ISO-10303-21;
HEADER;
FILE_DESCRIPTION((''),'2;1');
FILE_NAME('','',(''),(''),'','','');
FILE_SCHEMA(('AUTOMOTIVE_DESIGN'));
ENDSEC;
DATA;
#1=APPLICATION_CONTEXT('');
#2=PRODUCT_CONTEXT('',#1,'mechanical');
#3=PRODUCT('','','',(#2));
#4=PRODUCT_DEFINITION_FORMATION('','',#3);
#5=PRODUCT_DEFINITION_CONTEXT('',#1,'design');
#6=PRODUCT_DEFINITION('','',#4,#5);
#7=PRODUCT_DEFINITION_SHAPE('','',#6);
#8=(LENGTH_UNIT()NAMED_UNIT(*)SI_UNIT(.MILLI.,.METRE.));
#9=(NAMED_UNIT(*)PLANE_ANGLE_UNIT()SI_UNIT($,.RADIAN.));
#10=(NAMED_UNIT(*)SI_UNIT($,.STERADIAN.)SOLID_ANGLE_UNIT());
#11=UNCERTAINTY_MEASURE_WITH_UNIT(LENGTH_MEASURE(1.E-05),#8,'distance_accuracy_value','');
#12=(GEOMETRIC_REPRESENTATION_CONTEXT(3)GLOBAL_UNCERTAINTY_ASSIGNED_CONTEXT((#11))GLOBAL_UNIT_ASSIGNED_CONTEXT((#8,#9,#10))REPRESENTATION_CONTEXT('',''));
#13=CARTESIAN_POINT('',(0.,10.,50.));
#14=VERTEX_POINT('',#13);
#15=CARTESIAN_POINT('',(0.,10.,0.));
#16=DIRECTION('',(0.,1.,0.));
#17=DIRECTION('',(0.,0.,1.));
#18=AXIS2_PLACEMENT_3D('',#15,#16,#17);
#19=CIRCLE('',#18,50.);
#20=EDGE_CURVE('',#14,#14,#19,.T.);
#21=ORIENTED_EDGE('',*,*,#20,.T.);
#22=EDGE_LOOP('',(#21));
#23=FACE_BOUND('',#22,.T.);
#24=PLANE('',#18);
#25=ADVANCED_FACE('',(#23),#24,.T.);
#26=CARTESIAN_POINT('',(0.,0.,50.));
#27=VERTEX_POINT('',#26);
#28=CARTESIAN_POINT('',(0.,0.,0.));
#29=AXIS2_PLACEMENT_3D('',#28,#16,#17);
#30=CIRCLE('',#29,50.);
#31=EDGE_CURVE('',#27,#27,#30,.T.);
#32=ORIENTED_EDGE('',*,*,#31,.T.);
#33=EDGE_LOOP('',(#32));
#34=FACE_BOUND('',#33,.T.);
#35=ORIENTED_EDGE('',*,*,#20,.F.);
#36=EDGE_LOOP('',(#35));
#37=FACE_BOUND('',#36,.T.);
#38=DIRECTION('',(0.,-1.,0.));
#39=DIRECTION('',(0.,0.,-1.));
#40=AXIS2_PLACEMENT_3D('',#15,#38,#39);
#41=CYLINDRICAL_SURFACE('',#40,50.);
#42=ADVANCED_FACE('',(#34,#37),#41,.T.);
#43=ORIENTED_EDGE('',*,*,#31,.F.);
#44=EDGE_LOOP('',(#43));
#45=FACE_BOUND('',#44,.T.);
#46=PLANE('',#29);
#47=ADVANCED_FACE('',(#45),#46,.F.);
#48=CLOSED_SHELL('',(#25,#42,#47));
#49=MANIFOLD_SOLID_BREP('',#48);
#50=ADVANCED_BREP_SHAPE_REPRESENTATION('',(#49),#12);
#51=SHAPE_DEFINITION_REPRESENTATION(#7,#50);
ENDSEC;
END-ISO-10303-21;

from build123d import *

# Parameters (mm, degrees)
ESQUISSE1_R      = 50
EXTRUSION1_DEPTH = 10


with BuildPart() as part:
    # Esquisse1 → Extrusion1 (new body)
    with BuildSketch(Plane(origin=(0, 0, 0), x_dir=(1, 0, 0), z_dir=(0, 1, 0))):
        Circle(ESQUISSE1_R)
    extrude(amount=EXTRUSION1_DEPTH)


solid = part.part
